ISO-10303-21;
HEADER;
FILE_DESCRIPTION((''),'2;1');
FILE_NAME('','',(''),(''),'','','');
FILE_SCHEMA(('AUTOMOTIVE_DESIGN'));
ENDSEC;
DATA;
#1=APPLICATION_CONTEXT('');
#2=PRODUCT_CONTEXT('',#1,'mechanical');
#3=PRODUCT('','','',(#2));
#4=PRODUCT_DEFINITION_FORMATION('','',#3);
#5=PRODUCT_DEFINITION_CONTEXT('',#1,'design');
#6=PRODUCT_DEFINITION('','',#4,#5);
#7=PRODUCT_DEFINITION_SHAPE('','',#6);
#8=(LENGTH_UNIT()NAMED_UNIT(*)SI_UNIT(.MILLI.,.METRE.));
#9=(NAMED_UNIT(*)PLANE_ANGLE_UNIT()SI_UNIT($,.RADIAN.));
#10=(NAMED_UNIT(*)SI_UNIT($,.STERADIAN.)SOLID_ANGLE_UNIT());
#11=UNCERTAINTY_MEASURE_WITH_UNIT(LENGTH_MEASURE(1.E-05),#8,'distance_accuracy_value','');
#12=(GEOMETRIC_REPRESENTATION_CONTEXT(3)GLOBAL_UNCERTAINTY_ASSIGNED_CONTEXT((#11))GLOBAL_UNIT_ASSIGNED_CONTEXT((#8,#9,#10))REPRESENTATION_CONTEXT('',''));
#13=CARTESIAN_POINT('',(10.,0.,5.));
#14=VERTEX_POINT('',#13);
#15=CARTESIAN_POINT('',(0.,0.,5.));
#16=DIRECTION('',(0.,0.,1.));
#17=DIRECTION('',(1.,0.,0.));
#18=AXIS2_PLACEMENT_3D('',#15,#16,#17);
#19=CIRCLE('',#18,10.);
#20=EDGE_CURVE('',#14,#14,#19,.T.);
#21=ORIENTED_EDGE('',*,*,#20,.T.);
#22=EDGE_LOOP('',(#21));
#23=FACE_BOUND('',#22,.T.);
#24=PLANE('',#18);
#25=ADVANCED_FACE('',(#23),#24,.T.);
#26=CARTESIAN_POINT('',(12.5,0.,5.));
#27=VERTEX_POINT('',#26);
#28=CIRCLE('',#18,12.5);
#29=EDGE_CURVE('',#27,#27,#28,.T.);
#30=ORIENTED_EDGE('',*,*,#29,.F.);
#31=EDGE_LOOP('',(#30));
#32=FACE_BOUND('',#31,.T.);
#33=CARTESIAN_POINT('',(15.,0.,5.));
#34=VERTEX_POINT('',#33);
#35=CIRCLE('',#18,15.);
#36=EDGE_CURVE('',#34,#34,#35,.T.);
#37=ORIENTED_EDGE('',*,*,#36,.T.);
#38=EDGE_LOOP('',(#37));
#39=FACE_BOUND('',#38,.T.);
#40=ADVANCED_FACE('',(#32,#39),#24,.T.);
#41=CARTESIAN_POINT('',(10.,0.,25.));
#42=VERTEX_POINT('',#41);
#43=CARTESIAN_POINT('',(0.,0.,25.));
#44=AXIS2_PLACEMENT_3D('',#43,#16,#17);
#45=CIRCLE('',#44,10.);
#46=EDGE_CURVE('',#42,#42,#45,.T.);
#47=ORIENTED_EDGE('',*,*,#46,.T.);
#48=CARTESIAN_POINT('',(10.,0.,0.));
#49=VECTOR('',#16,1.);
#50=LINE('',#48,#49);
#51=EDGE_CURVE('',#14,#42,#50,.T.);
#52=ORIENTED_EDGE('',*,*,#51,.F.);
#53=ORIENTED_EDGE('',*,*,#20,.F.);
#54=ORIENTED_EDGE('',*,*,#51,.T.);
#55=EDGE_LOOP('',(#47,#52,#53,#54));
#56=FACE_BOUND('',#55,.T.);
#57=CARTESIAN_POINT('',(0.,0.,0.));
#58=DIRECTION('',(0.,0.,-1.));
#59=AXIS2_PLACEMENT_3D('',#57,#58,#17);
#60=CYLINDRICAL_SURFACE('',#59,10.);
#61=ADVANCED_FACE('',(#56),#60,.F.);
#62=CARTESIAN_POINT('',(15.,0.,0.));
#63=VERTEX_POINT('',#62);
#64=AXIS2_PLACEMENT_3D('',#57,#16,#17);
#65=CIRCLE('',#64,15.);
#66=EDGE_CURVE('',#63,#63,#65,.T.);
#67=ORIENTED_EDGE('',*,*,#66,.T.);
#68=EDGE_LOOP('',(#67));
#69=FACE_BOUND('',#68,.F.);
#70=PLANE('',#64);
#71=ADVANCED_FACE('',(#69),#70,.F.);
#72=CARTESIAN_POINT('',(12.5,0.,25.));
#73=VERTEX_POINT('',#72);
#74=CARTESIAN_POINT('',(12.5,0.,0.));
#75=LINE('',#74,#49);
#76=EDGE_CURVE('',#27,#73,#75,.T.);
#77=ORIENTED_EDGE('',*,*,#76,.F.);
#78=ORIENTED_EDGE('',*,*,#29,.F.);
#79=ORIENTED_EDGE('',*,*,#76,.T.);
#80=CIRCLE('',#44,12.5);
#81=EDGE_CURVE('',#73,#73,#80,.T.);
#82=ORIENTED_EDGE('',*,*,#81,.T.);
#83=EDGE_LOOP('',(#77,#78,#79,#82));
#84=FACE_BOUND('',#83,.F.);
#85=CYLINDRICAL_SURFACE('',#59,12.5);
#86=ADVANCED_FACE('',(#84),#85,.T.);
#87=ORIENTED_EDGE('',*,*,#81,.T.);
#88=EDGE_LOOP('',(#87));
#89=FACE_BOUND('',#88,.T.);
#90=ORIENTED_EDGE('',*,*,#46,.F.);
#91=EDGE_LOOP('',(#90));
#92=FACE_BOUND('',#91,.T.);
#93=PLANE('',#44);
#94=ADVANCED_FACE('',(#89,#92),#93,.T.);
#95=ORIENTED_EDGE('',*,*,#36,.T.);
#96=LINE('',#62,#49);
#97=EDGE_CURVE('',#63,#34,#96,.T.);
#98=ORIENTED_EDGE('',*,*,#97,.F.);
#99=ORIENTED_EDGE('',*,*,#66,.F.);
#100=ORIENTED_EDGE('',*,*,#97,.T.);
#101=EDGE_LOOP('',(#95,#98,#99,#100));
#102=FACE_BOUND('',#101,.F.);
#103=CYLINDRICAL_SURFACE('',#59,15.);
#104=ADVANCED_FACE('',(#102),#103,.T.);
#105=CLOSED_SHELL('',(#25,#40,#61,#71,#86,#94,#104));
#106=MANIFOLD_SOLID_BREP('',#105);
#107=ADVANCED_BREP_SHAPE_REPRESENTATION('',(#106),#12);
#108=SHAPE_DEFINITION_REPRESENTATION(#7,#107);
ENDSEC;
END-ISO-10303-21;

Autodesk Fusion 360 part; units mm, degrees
sketch "Sketch1" plane through (0, 0, 0) normal (0, 0, 1) x (1, 0, 0)
  circle A0 centre (0, 0) radius 10
  circle A1 centre (0, 0) radius 12.5
  circle A2 centre (0, 0) radius 15
  dimension "d1" = 20
  dimension "d2" = 25
  dimension "d3" = 30
extrude "Extrude1" add sketch "Sketch1" along normal blind 25 contours A1
extrude "Extrude2" add sketch "Sketch1" along normal blind 5 contours A2
extrude "Extrude3" add sketch "Sketch1" along normal blind 5 contours A0
